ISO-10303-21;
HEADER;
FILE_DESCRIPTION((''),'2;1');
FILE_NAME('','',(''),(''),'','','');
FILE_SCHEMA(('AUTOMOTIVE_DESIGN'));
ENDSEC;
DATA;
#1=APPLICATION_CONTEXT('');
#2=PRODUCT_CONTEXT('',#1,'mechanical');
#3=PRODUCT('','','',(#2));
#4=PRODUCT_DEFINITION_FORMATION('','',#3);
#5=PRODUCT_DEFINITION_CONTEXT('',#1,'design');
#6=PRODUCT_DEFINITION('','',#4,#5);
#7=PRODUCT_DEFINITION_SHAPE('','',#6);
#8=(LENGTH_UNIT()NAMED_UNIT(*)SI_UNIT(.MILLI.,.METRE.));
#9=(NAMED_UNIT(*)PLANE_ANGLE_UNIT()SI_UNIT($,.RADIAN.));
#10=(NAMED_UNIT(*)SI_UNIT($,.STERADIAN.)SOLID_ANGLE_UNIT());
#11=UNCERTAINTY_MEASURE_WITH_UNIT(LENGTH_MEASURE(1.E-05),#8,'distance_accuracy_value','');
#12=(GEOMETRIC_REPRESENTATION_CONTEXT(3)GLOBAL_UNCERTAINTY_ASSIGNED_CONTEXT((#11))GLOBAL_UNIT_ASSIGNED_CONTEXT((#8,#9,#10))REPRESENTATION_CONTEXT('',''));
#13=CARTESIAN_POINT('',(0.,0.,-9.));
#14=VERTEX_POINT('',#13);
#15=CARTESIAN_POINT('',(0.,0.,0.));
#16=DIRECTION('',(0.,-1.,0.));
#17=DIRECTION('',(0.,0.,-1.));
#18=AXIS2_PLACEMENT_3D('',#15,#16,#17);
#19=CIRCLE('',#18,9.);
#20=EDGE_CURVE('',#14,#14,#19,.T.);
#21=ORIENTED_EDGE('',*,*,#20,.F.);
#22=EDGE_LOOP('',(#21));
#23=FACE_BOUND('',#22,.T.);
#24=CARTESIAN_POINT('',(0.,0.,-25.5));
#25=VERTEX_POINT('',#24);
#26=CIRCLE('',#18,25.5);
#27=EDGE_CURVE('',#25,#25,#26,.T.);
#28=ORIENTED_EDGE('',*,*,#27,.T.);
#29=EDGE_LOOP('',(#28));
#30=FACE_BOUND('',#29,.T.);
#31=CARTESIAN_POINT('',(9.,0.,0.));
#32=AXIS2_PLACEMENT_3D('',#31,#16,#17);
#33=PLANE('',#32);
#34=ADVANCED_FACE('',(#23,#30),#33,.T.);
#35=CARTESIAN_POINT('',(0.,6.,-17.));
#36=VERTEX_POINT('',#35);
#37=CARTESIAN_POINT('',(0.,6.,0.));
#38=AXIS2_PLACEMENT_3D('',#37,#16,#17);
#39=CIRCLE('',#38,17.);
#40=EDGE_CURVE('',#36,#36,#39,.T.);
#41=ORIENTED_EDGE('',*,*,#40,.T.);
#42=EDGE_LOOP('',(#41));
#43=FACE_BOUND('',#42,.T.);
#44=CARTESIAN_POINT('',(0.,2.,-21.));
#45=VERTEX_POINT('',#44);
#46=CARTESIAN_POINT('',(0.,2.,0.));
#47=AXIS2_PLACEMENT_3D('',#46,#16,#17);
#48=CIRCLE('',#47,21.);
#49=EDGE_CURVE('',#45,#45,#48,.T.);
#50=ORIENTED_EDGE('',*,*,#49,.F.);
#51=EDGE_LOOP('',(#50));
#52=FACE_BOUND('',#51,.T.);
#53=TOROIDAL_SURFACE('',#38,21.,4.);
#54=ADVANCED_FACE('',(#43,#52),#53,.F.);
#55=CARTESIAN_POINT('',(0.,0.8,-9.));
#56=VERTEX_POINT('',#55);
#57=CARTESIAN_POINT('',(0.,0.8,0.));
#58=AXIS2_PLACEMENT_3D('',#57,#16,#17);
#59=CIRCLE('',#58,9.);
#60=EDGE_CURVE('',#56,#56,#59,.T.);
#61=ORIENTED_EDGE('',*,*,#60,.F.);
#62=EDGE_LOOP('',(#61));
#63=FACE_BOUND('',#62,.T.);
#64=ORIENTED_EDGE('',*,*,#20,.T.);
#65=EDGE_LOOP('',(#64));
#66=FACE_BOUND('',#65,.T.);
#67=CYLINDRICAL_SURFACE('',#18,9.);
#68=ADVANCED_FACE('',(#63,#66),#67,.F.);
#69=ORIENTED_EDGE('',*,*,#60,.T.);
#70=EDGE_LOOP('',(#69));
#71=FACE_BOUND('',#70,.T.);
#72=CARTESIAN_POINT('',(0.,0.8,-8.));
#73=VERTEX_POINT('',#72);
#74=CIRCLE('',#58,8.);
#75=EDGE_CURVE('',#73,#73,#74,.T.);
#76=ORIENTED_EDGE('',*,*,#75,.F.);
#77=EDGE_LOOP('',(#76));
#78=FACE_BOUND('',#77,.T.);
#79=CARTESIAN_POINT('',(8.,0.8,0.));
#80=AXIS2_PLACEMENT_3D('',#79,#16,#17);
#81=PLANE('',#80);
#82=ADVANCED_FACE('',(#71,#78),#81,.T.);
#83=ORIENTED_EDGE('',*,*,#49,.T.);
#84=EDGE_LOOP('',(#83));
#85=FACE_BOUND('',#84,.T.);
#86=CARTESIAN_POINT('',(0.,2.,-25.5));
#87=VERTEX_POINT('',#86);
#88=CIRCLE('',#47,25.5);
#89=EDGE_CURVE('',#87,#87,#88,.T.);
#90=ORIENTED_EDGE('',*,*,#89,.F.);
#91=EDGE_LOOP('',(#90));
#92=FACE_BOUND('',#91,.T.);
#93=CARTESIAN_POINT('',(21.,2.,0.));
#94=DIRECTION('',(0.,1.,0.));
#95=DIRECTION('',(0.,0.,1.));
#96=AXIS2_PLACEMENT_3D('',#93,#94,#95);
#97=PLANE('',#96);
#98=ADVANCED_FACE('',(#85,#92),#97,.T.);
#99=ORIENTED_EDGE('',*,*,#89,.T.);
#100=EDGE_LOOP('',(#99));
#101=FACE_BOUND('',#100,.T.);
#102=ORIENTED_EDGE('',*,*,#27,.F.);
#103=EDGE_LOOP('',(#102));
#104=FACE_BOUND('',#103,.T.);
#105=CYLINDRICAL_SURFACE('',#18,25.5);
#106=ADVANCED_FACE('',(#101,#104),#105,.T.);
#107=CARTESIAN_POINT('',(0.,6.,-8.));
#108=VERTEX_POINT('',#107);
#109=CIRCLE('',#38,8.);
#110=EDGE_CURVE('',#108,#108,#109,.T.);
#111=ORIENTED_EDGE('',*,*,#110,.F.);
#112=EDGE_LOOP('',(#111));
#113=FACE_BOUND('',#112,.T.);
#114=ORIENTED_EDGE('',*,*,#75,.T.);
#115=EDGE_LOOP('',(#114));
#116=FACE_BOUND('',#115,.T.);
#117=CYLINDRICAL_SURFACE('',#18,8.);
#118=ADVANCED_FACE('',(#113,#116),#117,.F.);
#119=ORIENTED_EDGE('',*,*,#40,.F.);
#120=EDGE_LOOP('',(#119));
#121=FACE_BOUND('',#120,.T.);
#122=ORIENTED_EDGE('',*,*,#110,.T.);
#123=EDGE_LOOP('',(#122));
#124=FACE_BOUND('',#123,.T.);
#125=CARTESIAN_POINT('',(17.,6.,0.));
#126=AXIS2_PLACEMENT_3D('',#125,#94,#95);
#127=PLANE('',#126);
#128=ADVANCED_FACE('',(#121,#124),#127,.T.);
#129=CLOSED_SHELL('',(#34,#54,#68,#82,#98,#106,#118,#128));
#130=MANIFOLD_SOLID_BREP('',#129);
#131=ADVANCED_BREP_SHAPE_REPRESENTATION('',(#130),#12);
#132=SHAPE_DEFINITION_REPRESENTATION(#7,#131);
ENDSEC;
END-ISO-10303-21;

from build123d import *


with BuildPart() as part:
    # Эскиз1 → Повернуть1 (revolve)
    with BuildSketch(Plane.XY, mode=Mode.PRIVATE) as revolve_1_sk:
        with BuildLine():
            Line((9, 0), (25.5, 0))
            Line((25.5, 0), (25.5, 2))
            Line((25.5, 2), (21, 2))
            ThreePointArc((21, 2), (18.171572875, 3.171572875), (17, 6))
            Line((17, 6), (8, 6))
            Line((8, 6), (8, 0.8))
            Line((8, 0.8), (9, 0.8))
            Line((9, 0.8), (9, 0))
        make_face()
    revolve(revolve_1_sk.sketch.rotate(Axis((0, 0, 0), (0, 1, 0)), 90), axis=Axis((0, 0, 0), (0, 1, 0)))


solid = part.part
